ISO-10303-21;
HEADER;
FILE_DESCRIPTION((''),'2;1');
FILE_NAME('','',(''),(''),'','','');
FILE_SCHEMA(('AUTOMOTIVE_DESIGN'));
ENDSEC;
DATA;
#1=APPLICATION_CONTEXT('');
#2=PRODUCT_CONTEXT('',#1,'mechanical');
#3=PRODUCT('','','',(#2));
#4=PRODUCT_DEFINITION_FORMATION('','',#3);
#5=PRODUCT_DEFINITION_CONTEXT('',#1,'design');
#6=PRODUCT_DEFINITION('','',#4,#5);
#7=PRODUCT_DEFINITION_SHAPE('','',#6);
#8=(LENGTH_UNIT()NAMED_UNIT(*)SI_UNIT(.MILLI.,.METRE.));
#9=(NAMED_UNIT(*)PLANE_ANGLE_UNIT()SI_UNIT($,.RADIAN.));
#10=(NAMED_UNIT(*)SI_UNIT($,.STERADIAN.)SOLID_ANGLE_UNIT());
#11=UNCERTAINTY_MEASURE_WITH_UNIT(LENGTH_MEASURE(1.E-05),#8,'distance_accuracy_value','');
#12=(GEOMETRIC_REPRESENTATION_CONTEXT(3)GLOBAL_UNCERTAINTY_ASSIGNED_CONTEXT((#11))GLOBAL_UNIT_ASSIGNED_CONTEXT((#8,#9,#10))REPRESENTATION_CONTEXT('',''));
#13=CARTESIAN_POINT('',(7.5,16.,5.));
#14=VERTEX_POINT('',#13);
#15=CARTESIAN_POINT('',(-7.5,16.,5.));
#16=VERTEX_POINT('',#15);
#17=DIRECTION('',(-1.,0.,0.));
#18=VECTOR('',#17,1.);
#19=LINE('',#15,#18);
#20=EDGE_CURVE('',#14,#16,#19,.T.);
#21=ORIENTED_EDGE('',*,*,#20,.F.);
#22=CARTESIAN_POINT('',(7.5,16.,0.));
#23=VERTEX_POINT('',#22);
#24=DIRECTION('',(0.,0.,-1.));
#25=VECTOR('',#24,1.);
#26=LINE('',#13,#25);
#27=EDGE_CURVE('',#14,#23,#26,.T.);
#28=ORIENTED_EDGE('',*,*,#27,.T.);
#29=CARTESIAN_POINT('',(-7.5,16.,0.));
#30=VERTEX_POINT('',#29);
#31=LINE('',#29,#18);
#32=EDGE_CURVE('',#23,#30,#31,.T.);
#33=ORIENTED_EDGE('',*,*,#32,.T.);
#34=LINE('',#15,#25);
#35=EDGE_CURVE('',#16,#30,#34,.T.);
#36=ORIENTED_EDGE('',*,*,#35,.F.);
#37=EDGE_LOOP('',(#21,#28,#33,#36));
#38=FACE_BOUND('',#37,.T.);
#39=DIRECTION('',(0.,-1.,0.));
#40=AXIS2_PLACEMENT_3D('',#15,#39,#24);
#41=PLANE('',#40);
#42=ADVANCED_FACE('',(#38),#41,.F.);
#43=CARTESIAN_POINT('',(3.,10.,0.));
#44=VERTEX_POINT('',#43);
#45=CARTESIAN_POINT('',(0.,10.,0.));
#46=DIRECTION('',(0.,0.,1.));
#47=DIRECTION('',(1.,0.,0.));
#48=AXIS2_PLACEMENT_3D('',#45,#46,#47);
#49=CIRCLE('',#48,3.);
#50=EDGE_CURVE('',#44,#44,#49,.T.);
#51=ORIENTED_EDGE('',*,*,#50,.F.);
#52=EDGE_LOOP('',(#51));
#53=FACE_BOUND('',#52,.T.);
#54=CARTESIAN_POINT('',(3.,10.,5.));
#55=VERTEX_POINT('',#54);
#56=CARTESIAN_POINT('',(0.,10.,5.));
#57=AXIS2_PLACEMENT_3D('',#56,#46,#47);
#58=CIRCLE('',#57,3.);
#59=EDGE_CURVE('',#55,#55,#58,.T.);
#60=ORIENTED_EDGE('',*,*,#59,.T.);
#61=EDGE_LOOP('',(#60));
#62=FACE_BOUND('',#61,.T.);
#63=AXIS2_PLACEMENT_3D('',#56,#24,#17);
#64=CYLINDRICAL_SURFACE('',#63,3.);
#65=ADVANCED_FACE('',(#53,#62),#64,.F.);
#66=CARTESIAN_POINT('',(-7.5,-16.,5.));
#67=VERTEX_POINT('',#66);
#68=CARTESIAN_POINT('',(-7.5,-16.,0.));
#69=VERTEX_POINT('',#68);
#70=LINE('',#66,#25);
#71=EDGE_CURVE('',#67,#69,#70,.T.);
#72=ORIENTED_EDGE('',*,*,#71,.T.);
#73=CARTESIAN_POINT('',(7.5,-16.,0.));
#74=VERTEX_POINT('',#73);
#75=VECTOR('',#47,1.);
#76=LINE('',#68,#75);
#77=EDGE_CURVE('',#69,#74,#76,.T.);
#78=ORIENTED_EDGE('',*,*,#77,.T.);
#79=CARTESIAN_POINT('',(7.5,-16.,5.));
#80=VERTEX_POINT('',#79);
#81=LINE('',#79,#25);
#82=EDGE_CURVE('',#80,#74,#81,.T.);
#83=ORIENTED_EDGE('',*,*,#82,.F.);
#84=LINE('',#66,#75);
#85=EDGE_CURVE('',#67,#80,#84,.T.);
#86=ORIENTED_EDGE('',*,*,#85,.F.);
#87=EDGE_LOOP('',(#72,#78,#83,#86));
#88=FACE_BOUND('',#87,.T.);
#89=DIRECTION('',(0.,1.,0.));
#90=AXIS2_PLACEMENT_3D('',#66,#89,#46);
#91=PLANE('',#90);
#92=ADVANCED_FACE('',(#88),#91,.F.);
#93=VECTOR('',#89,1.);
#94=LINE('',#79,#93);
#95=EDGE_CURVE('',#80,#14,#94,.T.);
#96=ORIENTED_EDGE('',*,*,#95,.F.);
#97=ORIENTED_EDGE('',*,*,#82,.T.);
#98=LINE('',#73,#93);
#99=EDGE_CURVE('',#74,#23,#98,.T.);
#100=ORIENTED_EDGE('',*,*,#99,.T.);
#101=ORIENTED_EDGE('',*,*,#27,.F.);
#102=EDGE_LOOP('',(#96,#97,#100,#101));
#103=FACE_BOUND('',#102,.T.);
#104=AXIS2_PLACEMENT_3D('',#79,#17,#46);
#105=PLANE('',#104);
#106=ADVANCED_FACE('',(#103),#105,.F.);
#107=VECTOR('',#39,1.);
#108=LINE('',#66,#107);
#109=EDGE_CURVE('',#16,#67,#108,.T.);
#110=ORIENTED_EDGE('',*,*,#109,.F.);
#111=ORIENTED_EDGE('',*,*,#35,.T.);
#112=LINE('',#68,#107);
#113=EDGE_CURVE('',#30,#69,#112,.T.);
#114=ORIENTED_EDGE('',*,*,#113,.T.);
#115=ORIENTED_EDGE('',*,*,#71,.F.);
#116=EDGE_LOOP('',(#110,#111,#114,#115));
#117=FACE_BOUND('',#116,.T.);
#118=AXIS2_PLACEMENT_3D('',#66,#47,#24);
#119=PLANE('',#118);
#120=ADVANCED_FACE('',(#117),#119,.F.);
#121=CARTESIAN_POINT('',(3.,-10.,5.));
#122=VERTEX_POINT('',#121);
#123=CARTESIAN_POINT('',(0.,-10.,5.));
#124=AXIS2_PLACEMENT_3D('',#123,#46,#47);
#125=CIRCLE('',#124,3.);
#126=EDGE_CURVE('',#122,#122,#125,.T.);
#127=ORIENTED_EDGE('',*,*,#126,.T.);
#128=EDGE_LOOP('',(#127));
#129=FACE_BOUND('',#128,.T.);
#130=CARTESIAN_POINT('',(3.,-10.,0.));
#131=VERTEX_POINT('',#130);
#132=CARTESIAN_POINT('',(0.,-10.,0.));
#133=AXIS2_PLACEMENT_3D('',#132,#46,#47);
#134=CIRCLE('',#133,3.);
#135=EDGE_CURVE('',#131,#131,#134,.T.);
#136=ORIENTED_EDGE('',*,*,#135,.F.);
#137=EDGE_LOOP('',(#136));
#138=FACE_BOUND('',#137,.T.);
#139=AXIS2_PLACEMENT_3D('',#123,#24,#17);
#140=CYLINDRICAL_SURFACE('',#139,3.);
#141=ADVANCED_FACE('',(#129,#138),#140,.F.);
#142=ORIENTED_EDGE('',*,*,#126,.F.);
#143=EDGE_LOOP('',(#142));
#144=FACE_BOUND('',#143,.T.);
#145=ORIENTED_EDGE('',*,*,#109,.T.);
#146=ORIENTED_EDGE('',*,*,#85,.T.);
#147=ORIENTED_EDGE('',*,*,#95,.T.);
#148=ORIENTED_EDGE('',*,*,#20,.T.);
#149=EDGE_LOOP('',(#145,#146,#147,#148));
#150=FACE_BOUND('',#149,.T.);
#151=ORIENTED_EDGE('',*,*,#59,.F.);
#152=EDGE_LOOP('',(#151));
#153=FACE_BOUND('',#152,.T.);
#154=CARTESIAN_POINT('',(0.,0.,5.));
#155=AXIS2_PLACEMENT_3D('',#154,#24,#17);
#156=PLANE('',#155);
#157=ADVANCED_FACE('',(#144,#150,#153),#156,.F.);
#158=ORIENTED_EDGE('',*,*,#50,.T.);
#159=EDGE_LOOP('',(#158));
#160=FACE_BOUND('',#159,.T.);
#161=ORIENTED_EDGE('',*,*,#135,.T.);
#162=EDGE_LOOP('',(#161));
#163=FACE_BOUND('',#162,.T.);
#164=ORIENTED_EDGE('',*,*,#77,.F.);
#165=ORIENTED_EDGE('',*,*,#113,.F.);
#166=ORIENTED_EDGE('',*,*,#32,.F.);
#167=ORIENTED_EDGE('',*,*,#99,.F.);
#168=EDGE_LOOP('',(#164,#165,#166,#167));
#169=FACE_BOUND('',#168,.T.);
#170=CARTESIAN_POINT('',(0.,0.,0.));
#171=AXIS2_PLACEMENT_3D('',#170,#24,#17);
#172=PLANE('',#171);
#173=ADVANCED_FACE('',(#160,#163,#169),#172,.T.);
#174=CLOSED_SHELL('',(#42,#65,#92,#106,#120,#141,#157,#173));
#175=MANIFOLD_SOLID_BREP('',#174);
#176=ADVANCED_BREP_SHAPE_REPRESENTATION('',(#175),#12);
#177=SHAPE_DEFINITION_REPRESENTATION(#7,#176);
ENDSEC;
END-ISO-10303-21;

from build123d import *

# Parameters (mm, degrees)
SKETCH_1_W      = 15
SKETCH_1_H      = 32
SKETCH_1_R      = 3
EXTRUDE_1_DEPTH = 5


with BuildPart() as part:
    # 草图1 → 凸台-拉伸1 (new body)
    with BuildSketch(Plane.XY):
        Rectangle(SKETCH_1_W, SKETCH_1_H)
        with Locations((0, 10)):
            Circle(SKETCH_1_R, mode=Mode.SUBTRACT)
        with Locations((0, -10)):
            Circle(SKETCH_1_R, mode=Mode.SUBTRACT)
    extrude(amount=EXTRUDE_1_DEPTH)


solid = part.part
